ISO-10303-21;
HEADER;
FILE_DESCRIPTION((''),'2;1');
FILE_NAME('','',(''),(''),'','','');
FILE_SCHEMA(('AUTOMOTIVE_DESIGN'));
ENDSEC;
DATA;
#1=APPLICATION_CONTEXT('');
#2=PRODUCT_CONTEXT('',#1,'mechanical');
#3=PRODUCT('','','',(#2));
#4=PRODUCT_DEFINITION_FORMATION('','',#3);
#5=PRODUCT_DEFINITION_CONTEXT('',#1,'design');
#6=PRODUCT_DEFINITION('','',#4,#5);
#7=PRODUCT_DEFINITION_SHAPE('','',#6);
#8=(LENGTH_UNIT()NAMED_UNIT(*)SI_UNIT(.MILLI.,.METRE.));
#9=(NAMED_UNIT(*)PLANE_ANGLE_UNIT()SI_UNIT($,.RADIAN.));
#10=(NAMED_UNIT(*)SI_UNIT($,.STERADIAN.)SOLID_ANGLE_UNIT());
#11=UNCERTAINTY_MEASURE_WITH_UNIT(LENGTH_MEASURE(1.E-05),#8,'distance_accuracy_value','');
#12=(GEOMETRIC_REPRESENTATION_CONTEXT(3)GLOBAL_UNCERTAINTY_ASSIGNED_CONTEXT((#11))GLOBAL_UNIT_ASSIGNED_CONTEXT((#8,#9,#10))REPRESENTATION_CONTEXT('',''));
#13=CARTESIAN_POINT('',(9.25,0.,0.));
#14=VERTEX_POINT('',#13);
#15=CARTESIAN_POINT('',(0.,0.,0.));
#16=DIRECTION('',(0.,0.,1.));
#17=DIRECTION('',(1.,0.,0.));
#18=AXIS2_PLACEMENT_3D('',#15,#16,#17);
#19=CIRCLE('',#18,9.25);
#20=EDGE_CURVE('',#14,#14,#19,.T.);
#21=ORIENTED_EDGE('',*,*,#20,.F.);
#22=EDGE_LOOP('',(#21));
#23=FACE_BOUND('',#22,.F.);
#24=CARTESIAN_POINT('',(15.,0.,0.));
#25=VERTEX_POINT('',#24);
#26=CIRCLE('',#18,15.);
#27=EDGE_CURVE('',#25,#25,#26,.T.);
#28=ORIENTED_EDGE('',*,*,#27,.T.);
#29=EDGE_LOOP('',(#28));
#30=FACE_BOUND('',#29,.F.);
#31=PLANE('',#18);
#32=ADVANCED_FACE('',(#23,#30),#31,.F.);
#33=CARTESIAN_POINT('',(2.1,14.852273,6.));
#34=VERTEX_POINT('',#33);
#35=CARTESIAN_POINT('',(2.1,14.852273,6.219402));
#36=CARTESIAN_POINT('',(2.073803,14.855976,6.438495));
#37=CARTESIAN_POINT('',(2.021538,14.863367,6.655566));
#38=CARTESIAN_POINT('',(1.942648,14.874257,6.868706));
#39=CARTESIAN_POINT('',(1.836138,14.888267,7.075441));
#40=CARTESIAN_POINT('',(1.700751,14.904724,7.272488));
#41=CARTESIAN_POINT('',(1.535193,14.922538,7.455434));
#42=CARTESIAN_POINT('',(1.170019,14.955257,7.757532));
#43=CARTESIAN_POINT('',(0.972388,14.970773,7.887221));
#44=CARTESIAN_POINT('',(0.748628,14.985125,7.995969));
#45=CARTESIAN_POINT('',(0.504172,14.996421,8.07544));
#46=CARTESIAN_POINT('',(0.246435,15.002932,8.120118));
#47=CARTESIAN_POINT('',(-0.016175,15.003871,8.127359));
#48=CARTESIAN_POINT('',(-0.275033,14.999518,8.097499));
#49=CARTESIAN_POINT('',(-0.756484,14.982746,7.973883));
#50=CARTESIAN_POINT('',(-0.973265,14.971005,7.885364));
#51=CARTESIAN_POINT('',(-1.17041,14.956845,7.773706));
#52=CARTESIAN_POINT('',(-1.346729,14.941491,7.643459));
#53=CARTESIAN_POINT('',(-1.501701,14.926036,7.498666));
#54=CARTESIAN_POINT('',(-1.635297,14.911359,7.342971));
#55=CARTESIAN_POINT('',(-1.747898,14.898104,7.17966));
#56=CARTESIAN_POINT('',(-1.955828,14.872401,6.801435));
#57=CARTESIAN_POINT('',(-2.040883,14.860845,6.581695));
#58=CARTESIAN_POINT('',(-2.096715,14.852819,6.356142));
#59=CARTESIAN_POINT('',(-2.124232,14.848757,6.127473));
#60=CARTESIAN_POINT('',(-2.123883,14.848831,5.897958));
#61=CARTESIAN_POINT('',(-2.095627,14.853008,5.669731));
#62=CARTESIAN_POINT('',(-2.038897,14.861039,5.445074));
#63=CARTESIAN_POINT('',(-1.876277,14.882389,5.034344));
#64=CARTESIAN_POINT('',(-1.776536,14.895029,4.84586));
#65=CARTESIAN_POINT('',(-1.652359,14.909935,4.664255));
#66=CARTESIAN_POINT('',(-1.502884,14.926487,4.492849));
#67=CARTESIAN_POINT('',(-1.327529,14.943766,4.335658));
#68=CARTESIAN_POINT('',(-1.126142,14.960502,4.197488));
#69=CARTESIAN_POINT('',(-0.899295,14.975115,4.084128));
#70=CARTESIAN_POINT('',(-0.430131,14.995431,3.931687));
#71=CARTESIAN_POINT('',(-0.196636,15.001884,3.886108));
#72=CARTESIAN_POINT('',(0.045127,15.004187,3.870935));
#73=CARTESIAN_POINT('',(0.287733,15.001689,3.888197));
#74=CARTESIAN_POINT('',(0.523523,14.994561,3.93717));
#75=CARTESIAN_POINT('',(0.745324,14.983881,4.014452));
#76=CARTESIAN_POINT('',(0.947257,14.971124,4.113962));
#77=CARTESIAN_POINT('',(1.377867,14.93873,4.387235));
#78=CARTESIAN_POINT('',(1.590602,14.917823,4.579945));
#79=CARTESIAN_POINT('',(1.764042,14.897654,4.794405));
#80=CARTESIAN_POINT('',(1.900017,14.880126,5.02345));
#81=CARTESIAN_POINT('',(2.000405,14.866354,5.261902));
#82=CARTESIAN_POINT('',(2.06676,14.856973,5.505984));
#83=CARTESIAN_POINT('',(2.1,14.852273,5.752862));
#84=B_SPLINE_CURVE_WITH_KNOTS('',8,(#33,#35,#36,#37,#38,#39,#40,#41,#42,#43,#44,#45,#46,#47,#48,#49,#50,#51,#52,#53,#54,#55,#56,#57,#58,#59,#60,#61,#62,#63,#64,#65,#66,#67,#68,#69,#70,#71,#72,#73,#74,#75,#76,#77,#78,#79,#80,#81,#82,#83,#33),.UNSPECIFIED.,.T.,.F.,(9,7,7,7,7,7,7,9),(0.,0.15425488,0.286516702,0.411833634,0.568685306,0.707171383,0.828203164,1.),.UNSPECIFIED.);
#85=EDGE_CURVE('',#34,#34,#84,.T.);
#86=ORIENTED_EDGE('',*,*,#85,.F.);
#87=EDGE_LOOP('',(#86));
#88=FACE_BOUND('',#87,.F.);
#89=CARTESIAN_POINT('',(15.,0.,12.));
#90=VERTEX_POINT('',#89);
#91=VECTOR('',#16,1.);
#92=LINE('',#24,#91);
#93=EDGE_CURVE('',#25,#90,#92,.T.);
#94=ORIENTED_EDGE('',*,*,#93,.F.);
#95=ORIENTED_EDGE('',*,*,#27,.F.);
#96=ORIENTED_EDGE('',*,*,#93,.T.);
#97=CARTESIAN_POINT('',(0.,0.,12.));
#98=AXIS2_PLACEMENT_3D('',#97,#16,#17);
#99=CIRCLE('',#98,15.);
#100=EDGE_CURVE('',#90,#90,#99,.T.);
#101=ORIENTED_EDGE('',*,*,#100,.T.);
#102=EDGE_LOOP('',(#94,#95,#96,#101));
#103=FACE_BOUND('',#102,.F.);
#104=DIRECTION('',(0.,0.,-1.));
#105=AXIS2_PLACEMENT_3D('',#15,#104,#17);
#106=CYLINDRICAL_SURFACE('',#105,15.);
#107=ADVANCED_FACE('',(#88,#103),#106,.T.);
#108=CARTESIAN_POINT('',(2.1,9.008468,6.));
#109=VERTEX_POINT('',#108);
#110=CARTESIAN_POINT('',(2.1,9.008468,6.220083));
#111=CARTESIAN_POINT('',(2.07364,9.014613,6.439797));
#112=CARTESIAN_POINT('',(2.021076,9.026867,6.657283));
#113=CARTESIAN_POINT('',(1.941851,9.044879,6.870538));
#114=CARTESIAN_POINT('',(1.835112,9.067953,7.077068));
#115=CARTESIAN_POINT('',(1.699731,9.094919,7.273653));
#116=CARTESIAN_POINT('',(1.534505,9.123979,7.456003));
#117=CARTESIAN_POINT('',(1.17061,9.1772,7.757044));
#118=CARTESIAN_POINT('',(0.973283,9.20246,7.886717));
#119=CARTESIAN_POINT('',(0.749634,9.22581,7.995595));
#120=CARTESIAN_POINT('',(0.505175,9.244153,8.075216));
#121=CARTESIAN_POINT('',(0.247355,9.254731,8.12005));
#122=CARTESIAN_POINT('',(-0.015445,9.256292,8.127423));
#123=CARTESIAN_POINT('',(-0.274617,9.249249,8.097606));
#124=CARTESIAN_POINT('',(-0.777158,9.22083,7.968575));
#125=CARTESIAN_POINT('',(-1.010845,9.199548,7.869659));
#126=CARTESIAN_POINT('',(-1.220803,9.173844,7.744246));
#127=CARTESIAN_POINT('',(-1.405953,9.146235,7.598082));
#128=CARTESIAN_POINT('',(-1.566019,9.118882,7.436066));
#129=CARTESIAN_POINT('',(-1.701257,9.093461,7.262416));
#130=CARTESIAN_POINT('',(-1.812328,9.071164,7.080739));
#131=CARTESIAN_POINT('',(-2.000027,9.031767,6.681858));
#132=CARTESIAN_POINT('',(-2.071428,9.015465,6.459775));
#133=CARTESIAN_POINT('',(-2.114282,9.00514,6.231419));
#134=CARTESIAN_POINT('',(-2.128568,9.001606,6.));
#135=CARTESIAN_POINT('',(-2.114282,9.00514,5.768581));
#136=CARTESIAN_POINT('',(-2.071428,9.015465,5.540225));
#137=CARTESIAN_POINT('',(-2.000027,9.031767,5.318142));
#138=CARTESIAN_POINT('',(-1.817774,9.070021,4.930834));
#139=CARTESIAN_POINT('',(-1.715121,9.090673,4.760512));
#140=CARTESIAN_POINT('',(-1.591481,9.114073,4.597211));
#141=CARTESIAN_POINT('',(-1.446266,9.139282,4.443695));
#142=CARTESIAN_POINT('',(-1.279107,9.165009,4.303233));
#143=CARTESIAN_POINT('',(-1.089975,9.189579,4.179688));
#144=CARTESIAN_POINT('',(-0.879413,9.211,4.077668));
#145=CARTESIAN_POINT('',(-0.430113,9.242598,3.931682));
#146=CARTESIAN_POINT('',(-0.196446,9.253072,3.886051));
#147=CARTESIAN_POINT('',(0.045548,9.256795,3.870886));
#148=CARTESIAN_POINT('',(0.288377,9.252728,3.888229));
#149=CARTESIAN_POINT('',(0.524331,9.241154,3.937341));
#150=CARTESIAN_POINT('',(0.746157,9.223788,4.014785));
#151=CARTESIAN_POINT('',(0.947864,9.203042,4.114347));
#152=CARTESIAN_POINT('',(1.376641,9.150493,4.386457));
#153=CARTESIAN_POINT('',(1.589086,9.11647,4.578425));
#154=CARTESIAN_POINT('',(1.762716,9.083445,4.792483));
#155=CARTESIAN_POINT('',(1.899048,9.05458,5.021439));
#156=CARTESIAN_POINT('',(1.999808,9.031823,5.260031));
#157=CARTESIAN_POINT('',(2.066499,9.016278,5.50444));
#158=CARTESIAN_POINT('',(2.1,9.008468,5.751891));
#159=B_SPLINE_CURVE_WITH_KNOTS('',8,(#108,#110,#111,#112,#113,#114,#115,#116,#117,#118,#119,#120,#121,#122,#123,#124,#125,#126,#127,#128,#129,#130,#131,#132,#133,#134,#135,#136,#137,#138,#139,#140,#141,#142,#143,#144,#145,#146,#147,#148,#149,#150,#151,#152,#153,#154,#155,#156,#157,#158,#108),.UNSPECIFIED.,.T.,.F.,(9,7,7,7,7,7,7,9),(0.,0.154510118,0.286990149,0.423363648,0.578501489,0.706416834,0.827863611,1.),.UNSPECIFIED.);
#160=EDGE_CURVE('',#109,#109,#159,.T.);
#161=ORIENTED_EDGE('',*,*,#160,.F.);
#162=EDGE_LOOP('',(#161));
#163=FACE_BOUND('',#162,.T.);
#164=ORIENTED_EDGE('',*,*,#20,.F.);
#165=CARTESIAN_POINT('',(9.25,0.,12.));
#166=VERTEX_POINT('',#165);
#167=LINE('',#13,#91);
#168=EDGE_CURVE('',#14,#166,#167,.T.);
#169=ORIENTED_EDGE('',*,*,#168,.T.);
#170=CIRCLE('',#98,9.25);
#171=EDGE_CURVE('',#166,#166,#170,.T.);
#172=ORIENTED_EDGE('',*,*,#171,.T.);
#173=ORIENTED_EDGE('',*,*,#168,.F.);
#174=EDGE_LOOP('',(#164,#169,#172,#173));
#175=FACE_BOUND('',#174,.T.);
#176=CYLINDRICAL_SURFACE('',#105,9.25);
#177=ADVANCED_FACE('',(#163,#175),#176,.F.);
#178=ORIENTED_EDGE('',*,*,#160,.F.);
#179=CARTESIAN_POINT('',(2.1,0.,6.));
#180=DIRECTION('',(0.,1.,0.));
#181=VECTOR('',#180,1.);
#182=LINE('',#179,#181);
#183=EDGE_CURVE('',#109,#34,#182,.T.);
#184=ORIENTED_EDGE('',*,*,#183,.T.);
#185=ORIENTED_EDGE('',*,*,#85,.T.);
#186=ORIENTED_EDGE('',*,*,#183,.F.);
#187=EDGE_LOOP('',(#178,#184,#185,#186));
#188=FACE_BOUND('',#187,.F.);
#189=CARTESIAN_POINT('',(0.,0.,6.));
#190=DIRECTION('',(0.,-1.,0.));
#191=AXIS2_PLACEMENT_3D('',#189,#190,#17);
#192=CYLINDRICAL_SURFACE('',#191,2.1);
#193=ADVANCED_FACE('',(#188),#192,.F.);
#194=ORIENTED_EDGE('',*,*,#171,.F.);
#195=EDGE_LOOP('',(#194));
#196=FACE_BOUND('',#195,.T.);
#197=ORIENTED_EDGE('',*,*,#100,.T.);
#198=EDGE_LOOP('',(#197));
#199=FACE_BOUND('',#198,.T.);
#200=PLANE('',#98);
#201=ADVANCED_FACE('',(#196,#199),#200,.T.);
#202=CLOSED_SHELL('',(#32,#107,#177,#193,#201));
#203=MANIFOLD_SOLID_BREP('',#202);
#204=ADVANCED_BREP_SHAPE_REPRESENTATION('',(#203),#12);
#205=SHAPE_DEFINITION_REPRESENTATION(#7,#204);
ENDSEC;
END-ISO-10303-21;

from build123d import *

# Parameters (mm, degrees)
F0_R     = 15
F0_R_2   = 9.25
F1_DEPTH = 12
F3_D     = 4.2
F3_DEPTH = 15.001


with BuildPart() as f1:
    # F0 (on Top) → F1 (new body)
    with BuildSketch(Plane.XY):
        Circle(F0_R)
        Circle(F0_R_2, mode=Mode.SUBTRACT)
    extrude(amount=F1_DEPTH)

    # F3 (through all, one way)
    with BuildSketch(Plane.XZ):
        with Locations((0, 6)):
            Circle(F3_D / 2)
    extrude(amount=-F3_DEPTH, mode=Mode.SUBTRACT)


solid = f1.part
